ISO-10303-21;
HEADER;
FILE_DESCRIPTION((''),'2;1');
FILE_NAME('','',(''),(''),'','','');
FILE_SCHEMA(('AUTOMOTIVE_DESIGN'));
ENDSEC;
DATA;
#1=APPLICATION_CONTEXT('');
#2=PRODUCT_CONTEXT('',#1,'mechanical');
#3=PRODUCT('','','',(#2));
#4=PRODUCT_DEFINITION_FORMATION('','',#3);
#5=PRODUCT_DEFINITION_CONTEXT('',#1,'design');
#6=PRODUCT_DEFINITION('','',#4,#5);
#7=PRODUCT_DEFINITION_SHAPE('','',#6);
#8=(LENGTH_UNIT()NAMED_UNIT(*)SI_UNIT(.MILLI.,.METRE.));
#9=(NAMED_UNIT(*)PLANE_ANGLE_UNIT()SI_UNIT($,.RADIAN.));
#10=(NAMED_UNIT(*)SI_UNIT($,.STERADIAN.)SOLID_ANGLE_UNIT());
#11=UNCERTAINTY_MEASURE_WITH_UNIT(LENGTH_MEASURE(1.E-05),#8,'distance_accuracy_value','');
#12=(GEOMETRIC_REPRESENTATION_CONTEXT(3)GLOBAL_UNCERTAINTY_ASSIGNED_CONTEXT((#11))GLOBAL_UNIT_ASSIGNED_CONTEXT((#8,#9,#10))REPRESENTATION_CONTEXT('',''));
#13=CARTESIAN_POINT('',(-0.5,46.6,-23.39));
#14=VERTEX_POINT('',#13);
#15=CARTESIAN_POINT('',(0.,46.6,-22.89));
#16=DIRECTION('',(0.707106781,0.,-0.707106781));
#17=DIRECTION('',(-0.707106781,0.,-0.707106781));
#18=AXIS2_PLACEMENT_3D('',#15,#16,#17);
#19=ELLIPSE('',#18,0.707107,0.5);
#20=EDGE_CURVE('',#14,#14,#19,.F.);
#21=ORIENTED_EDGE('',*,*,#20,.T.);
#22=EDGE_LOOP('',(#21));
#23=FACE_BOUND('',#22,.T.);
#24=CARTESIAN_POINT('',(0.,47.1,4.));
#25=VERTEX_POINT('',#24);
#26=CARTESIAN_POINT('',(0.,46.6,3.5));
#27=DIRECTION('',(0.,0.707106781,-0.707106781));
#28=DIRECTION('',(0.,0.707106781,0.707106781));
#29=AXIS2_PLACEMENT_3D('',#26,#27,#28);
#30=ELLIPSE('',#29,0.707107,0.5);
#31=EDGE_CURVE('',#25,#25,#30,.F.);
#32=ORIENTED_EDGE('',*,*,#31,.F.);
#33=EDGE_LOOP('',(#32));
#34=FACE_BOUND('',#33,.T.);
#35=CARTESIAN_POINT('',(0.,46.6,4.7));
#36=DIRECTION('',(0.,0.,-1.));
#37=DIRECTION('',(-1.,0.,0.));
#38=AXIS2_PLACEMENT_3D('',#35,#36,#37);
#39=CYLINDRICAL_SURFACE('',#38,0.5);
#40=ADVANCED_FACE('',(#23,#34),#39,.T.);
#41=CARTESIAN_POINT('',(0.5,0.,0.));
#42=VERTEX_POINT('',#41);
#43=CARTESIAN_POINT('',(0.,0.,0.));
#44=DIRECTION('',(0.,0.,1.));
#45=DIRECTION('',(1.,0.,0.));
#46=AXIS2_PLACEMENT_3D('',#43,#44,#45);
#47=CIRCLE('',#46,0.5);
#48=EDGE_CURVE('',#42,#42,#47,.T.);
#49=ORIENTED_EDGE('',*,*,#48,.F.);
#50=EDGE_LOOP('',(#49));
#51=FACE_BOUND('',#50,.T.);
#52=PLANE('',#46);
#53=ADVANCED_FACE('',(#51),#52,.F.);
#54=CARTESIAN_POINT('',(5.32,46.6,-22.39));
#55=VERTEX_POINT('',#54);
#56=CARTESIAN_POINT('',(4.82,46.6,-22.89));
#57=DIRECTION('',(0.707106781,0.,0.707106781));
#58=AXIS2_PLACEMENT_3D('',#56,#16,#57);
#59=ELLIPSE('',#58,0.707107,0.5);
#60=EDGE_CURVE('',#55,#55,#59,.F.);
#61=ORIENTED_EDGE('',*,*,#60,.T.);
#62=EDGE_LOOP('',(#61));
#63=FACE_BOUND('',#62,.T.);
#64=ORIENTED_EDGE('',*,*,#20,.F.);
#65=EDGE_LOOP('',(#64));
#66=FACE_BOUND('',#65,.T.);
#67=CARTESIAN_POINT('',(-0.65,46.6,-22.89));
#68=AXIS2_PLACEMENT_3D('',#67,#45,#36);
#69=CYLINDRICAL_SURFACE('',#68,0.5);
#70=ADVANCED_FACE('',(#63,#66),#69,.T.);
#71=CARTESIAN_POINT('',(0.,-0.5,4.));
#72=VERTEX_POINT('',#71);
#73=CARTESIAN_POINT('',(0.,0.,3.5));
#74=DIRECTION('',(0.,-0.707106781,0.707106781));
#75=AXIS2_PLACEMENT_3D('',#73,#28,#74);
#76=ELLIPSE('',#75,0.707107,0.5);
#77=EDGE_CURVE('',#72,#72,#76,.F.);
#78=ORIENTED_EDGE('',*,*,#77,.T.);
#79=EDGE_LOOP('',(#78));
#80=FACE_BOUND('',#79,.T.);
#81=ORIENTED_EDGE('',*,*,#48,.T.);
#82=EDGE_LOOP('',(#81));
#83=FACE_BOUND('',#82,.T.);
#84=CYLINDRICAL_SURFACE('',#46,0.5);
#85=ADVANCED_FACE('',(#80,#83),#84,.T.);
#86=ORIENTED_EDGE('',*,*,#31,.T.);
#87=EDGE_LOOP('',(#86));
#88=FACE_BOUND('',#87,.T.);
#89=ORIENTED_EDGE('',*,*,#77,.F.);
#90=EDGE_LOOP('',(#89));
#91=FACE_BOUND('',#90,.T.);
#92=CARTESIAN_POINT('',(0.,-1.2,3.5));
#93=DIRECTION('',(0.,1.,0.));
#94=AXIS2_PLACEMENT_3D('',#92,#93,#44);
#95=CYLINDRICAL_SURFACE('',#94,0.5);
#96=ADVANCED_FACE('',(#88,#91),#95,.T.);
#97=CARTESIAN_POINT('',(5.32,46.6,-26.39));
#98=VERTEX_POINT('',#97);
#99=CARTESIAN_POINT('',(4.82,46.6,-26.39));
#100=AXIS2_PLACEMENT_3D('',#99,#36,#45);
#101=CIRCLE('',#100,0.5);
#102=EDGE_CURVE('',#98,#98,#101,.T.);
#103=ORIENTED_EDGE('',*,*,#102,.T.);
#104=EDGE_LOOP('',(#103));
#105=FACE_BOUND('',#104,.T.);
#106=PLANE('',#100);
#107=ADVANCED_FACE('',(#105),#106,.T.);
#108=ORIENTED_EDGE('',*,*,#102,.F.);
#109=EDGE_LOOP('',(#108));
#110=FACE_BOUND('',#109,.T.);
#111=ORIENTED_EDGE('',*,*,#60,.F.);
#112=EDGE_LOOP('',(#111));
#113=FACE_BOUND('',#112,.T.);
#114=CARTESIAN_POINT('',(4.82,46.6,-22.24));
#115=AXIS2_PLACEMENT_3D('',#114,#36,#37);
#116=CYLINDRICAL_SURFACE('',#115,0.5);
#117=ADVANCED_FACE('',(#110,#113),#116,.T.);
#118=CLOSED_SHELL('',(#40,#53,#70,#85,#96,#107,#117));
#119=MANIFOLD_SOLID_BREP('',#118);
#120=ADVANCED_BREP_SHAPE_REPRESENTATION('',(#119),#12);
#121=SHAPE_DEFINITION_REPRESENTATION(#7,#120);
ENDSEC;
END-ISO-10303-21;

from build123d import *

# Parameters (mm, degrees)
ESQUISSE2_R = 0.5


with BuildPart() as part:
    # Balayage2: sweep along a curve in space
    with BuildLine() as balayage2_path:
        Line((0, 0, 0), (0, 0, 3.5))
        Line((0, 0, 3.5), (0, 46.6, 3.5))
        Line((0, 46.6, 3.5), (0, 46.6, -22.89))
        Line((0, 46.6, -22.89), (4.82, 46.6, -22.89))
        Line((4.82, 46.6, -22.89), (4.82, 46.6, -26.39))
    # Esquisse2 → Balayage2 (sweep)
    with BuildSketch(Plane.XY):
        Circle(ESQUISSE2_R)
    sweep(path=balayage2_path.line, transition=Transition.RIGHT)


solid = part.part
